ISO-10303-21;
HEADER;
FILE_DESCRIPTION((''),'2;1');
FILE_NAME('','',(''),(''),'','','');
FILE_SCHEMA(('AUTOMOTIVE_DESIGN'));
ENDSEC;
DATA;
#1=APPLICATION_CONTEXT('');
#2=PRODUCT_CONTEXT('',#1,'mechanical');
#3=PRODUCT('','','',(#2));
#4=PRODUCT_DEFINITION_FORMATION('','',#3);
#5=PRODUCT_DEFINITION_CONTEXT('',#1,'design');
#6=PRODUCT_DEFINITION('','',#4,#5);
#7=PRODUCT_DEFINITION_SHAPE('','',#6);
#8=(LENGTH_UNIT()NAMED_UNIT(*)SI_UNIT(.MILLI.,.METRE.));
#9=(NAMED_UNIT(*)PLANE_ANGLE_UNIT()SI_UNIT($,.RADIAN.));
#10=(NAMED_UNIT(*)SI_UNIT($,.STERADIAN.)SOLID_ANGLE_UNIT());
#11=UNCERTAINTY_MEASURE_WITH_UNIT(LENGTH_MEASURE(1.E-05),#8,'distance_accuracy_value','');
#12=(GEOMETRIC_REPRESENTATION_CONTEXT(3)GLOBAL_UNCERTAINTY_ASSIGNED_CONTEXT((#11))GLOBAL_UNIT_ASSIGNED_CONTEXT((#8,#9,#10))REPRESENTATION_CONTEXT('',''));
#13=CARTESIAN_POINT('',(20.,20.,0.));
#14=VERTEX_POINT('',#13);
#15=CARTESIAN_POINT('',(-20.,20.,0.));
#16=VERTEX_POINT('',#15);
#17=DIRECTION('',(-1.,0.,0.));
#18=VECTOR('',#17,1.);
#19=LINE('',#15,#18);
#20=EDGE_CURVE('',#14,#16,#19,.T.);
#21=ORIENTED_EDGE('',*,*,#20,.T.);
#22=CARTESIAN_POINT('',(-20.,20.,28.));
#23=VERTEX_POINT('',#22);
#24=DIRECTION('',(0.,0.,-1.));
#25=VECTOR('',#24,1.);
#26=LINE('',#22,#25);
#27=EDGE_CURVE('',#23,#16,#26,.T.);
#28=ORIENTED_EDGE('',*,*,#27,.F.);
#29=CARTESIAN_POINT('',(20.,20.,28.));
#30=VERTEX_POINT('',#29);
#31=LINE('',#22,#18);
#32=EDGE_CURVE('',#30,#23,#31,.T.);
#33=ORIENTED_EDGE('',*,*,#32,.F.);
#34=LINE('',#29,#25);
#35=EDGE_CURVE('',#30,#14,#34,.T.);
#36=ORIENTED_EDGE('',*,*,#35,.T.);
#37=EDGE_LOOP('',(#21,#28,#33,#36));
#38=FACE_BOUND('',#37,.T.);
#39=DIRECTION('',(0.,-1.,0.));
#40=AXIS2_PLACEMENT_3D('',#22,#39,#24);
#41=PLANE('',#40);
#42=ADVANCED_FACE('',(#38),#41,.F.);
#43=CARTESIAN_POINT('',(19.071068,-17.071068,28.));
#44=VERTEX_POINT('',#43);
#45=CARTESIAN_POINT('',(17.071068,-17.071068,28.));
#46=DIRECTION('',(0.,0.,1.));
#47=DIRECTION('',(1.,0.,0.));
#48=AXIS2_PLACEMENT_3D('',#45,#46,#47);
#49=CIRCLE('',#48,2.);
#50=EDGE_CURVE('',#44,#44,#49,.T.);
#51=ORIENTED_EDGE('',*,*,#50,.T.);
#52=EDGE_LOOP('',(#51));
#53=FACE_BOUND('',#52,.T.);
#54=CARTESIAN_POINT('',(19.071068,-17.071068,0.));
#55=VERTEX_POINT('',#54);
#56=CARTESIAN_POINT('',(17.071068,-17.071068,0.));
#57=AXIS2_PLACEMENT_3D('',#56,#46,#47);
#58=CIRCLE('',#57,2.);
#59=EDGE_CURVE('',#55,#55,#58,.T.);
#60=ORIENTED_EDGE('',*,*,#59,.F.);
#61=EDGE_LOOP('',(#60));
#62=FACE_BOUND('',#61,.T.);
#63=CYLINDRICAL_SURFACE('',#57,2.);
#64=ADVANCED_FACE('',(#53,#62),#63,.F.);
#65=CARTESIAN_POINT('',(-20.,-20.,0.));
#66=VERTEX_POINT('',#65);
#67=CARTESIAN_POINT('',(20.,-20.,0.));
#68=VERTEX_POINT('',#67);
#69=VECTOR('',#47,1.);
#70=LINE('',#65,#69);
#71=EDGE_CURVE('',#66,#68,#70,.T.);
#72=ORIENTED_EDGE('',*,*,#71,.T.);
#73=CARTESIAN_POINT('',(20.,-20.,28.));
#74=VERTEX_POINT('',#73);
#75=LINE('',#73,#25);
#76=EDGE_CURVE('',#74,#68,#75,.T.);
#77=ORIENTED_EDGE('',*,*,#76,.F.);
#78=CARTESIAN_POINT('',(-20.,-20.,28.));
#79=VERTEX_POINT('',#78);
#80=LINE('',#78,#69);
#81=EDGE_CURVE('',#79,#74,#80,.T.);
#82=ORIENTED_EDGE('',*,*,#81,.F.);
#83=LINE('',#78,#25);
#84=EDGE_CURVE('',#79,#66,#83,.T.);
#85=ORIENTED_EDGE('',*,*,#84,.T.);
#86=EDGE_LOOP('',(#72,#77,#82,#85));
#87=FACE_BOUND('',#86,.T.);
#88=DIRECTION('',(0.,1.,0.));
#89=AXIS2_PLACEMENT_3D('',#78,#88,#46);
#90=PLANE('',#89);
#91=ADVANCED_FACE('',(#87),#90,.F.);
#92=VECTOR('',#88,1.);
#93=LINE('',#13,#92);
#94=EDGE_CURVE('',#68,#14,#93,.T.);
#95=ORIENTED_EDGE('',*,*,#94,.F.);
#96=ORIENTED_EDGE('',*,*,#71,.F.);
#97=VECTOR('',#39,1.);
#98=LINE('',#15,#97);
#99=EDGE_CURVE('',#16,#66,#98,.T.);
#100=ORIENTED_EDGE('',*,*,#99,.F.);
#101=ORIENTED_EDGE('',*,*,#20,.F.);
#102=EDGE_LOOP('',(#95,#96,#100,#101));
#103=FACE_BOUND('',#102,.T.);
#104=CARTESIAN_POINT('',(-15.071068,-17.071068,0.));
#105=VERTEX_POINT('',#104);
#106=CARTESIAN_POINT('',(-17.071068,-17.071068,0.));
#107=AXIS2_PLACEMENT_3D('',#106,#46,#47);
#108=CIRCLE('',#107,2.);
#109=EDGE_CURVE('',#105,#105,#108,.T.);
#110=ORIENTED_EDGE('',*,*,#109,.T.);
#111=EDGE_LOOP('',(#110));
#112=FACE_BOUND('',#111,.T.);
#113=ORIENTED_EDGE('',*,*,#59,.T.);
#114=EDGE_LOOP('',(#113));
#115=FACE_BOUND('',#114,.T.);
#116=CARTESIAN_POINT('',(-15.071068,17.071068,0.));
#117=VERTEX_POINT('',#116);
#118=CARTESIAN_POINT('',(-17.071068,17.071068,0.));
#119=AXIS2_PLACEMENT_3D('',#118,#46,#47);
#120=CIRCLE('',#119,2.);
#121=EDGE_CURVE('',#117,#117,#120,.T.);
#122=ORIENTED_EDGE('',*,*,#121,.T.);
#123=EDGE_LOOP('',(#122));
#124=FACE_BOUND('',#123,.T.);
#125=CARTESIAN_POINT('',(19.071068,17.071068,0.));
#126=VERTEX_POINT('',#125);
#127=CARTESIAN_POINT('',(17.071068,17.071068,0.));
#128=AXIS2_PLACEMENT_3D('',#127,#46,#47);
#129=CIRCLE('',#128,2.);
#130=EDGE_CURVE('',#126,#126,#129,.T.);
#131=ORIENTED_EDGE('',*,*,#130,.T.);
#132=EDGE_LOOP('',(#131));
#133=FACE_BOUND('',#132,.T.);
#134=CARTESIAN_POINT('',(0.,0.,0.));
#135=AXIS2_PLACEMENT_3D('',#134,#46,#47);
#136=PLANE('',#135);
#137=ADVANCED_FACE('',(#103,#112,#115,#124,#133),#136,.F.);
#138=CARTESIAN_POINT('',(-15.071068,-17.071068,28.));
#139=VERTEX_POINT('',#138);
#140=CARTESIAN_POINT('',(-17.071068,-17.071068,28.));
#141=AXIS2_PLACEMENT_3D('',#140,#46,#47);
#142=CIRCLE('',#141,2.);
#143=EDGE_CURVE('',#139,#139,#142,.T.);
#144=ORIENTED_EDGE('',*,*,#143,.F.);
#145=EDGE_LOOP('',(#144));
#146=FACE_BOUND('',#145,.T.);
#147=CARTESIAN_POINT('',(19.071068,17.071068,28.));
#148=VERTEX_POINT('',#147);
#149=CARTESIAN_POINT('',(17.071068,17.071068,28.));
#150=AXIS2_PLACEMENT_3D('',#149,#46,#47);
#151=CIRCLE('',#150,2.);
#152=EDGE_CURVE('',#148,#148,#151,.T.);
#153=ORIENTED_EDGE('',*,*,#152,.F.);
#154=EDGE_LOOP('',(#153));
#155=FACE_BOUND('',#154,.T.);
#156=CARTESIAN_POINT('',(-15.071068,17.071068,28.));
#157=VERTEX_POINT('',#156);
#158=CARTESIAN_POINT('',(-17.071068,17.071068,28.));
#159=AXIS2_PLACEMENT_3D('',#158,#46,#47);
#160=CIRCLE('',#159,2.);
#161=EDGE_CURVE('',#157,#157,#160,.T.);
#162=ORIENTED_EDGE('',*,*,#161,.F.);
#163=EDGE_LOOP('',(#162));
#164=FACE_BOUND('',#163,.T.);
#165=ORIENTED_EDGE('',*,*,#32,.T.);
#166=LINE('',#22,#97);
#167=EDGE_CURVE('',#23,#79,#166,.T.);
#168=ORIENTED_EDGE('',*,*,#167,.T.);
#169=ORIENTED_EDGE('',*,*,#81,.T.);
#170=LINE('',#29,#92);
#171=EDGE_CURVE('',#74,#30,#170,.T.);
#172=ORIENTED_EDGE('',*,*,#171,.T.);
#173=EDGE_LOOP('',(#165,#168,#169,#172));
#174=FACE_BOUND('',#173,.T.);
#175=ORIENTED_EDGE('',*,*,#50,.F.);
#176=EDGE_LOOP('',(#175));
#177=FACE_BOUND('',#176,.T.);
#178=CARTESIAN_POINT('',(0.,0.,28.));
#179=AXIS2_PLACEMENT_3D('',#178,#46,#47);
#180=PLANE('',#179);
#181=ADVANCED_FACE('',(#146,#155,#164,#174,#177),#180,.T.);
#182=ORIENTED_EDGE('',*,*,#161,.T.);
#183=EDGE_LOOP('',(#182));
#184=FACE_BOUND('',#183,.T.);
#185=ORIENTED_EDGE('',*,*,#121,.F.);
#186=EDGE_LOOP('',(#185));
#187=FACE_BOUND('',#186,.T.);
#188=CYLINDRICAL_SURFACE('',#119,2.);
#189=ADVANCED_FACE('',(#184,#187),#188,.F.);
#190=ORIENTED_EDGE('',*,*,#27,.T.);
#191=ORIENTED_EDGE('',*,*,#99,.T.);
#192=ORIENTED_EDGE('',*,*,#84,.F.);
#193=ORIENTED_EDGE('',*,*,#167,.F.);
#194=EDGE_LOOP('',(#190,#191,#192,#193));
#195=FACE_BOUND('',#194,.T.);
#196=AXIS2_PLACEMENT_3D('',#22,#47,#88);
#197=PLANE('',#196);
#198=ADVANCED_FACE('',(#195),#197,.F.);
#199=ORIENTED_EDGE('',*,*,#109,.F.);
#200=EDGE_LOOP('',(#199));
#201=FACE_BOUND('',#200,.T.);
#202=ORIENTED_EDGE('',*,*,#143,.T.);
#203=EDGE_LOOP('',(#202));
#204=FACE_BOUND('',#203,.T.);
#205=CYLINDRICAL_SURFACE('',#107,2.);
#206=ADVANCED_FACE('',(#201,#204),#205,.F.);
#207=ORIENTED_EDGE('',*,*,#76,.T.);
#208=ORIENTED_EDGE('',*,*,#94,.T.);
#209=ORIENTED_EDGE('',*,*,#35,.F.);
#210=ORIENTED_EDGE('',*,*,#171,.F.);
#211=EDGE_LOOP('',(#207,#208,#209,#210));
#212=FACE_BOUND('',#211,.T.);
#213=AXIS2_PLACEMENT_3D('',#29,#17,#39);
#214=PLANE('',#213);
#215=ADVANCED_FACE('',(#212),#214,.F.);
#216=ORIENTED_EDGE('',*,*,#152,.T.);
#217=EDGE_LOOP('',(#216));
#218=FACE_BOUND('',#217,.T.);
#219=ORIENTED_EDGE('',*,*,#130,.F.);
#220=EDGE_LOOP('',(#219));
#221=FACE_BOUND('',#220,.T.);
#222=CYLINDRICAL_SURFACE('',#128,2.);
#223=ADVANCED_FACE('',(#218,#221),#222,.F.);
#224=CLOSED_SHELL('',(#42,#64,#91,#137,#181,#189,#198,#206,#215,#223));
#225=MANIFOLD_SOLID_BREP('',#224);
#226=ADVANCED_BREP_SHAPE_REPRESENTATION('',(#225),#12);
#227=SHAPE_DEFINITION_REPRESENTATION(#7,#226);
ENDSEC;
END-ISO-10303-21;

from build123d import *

# Parameters (mm, degrees)
SKETCH1_W           = 40
SKETCH1_H           = 40
BOSS_EXTRUDE1_DEPTH = 28
SKETCH2_R           = 2
CUT_EXTRUDE1_DEPTH  = 40.799497484


with BuildPart() as part:
    # Sketch1 → Boss-Extrude1 (new body)
    with BuildSketch(Plane.XY):
        Rectangle(SKETCH1_W, SKETCH1_H)
    extrude(amount=BOSS_EXTRUDE1_DEPTH)

    # Sketch2 → Cut-Extrude1 (cut, through all)
    with BuildSketch(Plane.XY.offset(28)):
        with Locations((-17.071067812, 17.071067812)):
            Circle(SKETCH2_R)
        with Locations((-17.071067812, -17.071067812)):
            Circle(SKETCH2_R)
        with Locations((17.071067812, 17.071067812)):
            Circle(SKETCH2_R)
        with Locations((17.071067812, -17.071067812)):
            Circle(SKETCH2_R)
    extrude(amount=-CUT_EXTRUDE1_DEPTH, mode=Mode.SUBTRACT)


solid = part.part
